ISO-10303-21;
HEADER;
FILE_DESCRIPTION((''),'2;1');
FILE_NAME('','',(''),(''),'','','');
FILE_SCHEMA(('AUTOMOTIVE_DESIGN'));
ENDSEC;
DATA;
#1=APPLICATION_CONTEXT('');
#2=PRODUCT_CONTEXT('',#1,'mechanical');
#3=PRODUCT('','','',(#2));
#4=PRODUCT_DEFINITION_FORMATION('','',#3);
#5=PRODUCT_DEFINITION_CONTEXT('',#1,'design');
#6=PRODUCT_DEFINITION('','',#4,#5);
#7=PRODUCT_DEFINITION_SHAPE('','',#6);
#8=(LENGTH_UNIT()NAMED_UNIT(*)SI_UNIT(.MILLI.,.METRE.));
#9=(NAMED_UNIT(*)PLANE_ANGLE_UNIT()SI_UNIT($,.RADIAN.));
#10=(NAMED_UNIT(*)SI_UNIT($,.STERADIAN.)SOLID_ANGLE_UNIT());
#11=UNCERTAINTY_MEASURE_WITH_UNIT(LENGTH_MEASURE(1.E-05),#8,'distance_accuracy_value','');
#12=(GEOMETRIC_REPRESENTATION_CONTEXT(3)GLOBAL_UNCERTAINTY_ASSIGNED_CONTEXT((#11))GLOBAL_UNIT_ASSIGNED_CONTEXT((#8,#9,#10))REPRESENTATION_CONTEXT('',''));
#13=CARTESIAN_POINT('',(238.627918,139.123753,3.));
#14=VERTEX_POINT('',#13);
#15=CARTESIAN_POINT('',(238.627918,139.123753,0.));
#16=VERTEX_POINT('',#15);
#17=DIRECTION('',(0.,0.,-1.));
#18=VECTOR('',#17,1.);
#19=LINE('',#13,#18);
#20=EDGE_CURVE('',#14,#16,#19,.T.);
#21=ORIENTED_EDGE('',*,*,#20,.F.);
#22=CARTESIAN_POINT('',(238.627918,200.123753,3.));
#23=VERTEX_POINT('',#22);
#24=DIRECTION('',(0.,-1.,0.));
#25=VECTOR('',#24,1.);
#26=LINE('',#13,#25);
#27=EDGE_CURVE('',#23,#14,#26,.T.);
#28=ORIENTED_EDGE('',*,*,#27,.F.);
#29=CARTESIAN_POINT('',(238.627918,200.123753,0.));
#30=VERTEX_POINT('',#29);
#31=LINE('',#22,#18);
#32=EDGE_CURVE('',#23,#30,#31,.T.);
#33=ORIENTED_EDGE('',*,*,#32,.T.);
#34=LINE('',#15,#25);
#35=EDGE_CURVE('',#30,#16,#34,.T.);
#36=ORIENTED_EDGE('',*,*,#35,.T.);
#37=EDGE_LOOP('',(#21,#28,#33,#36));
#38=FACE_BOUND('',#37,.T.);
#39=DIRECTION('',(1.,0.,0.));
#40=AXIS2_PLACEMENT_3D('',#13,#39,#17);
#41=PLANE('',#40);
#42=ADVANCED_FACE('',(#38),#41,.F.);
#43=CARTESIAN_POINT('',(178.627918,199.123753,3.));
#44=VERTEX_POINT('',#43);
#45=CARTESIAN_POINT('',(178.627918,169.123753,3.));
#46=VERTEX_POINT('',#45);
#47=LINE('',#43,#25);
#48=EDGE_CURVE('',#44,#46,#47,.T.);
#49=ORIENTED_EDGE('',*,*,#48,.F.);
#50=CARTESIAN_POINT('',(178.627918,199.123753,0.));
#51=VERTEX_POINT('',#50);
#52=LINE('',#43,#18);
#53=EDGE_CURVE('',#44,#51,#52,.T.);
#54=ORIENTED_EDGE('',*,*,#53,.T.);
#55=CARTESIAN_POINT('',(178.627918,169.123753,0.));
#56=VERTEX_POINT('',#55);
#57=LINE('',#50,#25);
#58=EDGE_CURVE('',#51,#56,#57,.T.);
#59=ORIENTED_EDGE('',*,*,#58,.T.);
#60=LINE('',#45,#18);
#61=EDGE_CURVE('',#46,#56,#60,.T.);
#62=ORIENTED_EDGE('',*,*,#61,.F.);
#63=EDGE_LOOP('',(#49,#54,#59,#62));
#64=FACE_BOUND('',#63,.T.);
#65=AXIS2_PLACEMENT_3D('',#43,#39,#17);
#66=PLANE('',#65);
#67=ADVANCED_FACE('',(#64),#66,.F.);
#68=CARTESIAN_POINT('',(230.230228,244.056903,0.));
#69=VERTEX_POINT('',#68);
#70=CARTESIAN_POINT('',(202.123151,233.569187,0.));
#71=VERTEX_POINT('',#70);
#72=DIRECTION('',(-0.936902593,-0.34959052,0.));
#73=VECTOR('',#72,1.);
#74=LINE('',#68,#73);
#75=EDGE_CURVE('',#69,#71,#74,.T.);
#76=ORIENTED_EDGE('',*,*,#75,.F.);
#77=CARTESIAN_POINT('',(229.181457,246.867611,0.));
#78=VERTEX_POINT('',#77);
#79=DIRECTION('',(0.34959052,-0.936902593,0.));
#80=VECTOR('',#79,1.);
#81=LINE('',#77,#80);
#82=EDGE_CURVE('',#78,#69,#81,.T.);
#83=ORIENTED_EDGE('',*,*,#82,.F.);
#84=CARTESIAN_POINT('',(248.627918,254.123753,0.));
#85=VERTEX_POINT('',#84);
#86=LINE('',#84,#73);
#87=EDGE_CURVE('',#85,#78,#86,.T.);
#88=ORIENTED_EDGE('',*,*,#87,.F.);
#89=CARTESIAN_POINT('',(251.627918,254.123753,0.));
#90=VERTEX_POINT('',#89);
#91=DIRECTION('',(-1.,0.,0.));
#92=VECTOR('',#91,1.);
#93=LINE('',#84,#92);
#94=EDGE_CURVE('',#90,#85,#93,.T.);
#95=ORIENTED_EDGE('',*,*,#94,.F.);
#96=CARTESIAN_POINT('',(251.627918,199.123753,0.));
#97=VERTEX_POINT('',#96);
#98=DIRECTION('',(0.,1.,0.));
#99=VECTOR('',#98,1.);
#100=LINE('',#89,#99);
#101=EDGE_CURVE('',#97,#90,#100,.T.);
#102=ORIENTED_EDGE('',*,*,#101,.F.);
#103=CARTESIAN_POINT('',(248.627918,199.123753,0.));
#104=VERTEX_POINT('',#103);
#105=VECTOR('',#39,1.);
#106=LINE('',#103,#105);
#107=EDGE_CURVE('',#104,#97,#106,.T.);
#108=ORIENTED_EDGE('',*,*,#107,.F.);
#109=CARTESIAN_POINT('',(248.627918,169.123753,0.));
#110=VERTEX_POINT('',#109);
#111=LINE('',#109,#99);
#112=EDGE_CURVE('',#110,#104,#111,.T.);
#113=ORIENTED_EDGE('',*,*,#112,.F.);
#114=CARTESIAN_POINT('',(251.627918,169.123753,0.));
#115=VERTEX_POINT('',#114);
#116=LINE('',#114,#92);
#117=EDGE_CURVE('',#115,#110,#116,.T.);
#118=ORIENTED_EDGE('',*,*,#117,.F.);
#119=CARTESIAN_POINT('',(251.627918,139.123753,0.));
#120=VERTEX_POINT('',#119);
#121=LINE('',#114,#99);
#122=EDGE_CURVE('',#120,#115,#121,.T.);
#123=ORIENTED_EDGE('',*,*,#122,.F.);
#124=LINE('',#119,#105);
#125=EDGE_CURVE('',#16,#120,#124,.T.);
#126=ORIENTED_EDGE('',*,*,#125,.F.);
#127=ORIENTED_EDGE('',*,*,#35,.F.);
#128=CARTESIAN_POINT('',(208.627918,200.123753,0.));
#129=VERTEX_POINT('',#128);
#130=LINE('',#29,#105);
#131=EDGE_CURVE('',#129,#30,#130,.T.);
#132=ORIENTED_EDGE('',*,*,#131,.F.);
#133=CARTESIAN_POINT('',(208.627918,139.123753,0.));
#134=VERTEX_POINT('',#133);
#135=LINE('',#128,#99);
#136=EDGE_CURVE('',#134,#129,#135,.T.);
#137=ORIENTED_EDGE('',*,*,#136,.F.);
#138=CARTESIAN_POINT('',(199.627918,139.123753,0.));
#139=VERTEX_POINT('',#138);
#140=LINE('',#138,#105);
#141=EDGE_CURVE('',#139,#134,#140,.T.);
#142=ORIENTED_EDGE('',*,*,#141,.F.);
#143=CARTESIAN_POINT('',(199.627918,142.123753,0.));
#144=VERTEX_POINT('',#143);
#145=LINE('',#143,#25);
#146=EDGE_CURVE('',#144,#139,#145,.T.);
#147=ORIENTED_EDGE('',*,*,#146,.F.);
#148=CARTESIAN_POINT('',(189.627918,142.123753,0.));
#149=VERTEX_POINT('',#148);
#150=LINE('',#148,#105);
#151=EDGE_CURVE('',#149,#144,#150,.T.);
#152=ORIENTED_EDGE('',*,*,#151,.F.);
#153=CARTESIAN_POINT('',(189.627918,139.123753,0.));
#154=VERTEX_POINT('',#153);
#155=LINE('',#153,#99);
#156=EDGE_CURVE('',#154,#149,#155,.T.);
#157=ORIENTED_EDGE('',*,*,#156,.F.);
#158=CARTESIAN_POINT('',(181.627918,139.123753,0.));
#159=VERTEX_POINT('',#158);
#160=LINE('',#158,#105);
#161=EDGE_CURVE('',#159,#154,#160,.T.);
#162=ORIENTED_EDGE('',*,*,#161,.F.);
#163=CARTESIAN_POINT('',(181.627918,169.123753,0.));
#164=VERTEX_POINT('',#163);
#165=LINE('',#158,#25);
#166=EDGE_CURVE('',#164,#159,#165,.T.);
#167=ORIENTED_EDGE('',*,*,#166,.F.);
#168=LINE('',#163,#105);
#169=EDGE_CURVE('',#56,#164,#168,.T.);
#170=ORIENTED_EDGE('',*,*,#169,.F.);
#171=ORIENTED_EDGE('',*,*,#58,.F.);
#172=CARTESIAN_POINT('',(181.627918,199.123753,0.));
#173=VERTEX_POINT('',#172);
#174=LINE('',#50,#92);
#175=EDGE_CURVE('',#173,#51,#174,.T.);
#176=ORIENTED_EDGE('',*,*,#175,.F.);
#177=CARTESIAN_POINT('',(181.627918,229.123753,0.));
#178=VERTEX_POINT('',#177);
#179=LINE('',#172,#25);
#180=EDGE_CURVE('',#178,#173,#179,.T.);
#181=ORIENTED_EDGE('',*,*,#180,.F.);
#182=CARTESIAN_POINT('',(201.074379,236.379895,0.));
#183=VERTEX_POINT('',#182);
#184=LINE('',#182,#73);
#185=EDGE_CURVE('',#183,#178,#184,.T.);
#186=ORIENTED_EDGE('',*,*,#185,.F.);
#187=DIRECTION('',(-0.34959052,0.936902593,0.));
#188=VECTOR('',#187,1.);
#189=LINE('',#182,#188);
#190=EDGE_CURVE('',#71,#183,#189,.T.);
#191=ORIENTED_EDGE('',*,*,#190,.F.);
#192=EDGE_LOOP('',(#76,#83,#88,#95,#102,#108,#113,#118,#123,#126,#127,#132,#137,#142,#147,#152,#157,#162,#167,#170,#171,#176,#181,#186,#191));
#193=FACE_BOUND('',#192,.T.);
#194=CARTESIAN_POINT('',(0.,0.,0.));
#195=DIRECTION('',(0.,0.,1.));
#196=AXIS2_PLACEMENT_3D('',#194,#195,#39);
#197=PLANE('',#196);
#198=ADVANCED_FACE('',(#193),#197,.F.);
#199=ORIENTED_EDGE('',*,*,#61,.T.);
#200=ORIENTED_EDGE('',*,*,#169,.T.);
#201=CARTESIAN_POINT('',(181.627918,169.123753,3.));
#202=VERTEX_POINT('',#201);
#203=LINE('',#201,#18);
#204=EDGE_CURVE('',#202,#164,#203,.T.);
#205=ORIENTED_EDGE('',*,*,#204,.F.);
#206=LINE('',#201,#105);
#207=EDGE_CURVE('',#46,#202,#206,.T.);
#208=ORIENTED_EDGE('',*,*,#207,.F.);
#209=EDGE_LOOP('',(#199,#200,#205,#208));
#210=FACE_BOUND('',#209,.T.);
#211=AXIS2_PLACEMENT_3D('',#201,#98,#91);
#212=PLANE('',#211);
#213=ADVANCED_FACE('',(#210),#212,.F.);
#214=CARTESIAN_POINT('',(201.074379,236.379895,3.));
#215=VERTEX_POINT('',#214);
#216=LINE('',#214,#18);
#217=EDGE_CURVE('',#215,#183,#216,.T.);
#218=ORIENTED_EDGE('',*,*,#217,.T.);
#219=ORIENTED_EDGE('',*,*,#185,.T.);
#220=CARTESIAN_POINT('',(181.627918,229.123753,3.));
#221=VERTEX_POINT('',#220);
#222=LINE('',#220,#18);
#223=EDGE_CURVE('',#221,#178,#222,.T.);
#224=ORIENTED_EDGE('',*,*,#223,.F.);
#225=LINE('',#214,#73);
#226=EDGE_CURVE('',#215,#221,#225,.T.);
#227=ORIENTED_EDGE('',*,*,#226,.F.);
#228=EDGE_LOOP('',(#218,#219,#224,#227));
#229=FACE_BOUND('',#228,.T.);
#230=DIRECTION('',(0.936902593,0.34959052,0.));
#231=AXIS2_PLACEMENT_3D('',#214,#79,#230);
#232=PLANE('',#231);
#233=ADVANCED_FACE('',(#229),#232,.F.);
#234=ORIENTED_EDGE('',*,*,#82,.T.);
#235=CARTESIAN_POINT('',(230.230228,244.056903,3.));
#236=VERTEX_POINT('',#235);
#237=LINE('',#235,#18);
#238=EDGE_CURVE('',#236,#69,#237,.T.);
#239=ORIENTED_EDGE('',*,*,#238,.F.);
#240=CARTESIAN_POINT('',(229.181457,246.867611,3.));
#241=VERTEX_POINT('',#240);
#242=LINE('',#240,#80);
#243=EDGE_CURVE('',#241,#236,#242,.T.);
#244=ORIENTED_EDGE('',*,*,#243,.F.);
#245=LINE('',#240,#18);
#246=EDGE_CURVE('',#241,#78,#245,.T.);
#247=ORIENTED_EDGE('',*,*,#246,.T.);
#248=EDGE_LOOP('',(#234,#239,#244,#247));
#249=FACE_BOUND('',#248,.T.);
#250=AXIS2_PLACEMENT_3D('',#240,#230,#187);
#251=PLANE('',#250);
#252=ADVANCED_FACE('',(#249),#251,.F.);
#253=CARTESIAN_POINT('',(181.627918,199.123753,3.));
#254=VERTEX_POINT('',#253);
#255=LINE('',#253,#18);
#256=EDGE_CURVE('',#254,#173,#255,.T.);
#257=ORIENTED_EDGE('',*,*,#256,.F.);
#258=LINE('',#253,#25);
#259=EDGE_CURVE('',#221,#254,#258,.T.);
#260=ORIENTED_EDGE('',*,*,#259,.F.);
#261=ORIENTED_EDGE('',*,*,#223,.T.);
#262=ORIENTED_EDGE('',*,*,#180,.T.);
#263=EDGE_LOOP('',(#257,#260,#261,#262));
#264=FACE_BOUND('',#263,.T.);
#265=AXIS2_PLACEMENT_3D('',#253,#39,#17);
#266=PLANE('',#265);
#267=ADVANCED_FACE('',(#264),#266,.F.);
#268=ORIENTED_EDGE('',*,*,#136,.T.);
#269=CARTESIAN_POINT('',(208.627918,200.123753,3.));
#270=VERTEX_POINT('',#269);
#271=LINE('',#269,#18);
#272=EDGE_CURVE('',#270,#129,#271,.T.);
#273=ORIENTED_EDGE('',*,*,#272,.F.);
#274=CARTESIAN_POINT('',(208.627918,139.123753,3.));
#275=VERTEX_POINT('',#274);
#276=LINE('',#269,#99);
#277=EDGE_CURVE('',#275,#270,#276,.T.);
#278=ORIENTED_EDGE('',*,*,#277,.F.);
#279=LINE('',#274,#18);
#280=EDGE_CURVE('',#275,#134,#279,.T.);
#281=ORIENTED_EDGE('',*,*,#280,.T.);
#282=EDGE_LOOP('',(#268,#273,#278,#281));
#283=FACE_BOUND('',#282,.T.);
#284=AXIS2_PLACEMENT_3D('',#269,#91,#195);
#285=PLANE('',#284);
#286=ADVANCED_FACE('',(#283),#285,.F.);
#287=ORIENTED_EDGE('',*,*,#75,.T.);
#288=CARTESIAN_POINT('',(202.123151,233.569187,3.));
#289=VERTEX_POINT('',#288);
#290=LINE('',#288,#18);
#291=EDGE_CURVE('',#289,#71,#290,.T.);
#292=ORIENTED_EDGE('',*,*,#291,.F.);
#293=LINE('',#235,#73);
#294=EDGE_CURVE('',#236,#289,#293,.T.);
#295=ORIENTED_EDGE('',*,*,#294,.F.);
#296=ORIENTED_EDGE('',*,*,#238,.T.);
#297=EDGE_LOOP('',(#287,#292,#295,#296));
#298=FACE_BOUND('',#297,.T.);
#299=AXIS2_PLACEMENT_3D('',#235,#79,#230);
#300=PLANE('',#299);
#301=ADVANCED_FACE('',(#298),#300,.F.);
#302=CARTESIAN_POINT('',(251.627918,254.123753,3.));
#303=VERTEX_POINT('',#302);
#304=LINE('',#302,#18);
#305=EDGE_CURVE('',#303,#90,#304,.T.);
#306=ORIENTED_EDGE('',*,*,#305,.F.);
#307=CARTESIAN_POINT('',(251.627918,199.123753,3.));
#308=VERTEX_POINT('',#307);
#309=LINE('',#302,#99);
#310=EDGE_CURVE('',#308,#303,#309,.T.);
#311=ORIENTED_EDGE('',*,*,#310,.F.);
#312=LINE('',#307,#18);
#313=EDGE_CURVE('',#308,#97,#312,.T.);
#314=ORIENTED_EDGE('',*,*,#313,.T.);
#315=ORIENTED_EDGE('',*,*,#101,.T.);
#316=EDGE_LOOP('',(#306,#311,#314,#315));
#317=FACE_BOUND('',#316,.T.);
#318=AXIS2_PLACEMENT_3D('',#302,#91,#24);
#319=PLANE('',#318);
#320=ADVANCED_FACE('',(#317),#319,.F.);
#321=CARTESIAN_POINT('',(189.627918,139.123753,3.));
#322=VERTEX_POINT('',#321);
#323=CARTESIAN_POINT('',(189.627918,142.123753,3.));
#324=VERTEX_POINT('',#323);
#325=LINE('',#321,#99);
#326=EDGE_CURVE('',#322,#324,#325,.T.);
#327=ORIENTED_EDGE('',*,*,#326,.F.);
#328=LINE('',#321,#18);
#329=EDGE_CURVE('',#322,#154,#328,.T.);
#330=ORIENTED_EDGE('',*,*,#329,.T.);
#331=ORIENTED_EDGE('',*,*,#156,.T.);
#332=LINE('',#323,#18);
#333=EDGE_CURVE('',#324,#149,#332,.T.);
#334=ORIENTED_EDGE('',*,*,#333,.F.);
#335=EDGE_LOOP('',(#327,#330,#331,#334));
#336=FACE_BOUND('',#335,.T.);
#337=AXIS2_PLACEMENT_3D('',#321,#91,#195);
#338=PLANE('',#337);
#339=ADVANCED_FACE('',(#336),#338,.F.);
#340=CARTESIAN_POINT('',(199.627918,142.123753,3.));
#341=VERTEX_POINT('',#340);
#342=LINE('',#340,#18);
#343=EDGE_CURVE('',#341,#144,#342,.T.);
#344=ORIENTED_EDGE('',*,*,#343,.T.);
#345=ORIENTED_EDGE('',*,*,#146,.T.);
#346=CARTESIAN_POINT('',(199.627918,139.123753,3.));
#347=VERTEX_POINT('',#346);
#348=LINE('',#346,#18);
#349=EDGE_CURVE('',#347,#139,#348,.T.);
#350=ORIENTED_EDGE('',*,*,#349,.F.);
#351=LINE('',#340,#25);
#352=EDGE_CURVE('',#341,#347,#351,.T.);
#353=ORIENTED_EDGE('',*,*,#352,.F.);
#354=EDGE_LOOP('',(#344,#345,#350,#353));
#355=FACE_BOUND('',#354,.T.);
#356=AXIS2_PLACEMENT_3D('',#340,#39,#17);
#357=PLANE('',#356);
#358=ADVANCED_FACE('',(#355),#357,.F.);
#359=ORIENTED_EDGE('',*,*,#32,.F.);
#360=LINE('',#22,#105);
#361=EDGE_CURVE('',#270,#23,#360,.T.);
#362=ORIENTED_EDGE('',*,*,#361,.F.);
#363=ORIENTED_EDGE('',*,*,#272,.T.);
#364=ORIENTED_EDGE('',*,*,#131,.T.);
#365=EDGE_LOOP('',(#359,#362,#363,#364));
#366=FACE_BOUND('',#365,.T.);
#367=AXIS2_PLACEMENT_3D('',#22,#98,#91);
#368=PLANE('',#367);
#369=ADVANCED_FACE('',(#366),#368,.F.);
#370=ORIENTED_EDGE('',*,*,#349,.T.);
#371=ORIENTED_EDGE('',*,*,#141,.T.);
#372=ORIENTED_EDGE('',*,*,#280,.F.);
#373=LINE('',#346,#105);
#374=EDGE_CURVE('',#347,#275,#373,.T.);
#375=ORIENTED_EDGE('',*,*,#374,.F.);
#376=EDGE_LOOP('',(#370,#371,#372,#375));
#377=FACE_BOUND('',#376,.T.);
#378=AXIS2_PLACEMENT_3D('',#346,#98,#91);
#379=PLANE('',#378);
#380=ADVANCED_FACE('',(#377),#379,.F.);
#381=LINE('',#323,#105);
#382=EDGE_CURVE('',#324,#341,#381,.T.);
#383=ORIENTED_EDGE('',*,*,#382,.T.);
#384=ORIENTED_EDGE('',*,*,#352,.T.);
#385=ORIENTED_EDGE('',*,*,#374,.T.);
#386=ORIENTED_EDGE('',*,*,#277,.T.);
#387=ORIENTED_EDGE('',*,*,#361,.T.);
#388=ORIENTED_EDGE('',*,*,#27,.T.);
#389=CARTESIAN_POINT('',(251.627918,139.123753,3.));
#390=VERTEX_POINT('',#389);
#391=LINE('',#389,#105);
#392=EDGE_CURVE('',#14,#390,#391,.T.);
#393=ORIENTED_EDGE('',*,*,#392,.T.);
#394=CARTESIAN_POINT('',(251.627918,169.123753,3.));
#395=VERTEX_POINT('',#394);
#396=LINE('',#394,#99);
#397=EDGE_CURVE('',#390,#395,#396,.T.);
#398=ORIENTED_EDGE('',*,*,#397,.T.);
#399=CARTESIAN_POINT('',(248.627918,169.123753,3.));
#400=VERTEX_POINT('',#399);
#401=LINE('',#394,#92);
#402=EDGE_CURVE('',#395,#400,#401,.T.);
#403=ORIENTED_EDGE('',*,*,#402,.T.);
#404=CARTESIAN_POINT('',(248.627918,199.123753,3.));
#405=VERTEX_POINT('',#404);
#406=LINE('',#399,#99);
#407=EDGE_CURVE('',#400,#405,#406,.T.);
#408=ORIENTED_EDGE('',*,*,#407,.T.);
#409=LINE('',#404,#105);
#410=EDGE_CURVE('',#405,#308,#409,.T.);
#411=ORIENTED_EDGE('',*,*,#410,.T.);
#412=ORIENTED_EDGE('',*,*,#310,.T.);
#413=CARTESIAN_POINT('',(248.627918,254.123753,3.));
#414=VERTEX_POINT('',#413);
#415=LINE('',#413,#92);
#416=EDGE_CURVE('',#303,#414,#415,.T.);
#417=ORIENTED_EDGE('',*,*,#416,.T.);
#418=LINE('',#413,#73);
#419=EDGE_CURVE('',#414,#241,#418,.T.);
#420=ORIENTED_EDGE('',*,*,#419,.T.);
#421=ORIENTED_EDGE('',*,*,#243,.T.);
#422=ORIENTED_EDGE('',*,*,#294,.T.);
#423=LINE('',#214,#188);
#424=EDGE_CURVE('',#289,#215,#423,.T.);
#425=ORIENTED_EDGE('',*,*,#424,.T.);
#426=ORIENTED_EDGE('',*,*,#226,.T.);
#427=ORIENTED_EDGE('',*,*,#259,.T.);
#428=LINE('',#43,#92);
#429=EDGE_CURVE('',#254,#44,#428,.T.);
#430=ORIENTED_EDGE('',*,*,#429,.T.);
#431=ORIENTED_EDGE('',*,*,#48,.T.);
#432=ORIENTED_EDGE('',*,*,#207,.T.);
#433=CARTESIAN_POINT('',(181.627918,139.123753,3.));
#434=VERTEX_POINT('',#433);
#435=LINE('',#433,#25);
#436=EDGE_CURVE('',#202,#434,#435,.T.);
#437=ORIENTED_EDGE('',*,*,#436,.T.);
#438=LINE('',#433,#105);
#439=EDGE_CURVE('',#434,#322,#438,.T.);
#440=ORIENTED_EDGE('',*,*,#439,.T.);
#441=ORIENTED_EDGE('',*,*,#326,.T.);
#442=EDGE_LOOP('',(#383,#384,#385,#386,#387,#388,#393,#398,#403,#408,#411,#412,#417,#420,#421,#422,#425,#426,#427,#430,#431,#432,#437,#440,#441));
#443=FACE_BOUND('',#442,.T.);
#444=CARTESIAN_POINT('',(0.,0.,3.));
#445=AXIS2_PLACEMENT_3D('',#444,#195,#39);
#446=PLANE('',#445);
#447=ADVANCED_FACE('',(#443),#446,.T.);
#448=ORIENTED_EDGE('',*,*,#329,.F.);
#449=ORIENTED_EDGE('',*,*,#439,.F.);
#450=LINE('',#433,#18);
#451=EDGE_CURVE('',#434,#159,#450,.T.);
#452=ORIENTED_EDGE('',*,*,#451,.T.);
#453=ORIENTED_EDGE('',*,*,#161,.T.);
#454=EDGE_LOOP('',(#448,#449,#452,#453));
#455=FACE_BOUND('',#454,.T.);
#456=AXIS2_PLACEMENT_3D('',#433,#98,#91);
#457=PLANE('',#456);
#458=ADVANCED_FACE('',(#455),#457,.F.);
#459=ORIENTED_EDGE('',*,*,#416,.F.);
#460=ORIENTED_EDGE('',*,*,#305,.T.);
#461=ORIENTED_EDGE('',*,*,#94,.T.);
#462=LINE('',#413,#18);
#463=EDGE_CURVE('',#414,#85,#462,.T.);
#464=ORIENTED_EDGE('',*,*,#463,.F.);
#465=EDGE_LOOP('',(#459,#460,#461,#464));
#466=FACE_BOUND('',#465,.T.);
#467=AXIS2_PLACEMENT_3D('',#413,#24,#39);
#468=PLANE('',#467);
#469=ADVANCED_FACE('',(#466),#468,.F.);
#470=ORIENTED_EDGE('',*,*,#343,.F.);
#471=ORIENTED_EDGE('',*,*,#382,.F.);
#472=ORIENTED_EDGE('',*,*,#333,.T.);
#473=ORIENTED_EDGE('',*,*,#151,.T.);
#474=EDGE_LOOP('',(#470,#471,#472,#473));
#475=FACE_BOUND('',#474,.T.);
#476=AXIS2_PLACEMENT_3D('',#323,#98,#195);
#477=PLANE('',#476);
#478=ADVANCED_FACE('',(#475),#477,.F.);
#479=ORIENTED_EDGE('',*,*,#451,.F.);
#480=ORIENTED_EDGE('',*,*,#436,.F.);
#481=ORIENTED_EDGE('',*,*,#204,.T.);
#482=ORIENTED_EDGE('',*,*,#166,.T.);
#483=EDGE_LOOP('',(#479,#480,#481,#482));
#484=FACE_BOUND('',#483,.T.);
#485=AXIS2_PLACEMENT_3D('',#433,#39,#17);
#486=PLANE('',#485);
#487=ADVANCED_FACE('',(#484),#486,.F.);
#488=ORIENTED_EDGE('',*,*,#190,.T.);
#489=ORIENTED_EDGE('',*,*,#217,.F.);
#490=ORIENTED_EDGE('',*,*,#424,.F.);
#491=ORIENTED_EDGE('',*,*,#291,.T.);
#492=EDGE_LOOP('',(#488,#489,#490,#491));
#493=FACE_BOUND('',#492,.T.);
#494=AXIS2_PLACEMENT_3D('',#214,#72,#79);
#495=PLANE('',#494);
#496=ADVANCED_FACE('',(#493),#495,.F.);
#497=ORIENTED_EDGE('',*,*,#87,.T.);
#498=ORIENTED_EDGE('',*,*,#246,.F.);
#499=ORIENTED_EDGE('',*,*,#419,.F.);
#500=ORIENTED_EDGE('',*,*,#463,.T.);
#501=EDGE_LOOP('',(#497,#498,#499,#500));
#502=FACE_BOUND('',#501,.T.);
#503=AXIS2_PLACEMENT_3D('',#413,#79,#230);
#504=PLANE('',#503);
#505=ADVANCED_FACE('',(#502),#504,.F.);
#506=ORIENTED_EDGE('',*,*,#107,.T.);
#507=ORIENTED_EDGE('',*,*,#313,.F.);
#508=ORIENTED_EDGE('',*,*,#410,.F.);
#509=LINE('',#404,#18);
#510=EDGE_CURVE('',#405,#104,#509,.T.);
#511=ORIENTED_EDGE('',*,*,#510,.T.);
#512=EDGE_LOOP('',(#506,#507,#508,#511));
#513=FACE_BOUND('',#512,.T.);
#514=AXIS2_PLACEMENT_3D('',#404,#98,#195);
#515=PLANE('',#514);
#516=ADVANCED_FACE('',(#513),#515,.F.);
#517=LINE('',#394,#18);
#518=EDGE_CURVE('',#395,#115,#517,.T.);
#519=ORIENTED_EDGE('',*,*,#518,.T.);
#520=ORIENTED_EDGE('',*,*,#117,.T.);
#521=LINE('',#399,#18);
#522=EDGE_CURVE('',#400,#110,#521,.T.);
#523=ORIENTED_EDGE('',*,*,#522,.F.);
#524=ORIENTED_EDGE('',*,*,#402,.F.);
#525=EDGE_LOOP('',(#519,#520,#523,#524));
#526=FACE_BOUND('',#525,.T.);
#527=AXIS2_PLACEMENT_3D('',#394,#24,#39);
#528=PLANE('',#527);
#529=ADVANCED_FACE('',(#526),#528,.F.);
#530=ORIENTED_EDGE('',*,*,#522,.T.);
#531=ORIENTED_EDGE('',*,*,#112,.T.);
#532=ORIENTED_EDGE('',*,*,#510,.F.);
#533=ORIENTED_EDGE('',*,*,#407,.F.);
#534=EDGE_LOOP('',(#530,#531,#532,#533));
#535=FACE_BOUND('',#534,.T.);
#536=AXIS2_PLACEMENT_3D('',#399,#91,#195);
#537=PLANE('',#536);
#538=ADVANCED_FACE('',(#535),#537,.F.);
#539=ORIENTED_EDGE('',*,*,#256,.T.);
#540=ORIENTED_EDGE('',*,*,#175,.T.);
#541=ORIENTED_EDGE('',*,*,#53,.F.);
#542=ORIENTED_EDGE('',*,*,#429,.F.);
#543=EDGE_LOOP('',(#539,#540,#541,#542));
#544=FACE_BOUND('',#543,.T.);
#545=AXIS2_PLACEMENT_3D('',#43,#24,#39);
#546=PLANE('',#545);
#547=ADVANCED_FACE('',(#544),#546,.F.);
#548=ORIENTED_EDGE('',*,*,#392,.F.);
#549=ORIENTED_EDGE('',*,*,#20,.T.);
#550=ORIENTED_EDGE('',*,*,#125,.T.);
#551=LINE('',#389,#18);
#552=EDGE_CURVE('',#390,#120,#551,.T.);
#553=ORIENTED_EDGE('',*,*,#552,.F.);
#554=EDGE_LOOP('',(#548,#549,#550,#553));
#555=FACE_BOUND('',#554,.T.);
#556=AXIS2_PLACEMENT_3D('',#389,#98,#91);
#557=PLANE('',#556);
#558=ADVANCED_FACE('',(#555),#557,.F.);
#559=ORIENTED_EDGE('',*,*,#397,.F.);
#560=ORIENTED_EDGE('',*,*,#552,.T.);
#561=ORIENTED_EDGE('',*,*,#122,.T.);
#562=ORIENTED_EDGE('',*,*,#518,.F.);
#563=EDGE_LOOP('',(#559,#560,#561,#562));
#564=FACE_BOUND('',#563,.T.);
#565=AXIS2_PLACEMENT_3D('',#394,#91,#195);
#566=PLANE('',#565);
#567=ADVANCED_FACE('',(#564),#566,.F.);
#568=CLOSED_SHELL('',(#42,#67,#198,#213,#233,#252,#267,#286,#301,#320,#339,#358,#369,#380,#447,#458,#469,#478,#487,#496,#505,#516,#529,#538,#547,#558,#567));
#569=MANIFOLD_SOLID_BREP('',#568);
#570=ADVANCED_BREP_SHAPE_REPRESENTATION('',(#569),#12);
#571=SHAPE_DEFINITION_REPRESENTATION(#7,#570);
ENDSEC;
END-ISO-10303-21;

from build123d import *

# Parameters (mm, degrees)
BOSS_EXTRUDE1_DEPTH = 3


with BuildPart() as part:
    # Model → Boss-Extrude1 (new body)
    with BuildSketch(Plane.XY):
        Polygon((178.627918025, 199.123752973), (178.627918025, 169.123752973), (181.627918025, 169.123752973), (181.627918025, 139.123752973), (189.627918025, 139.123752973), (189.627918025, 142.123752973), (199.627918025, 142.123752973), (199.627918025, 139.123752973), (208.627918025, 139.123752973), (208.627918025, 200.123752973), (238.627918025, 200.123752973), (238.627918025, 139.123752973), (251.627918025, 139.123752973), (251.627918025, 169.123752973), (248.627918025, 169.123752973), (248.627918025, 199.123752973), (251.627918025, 199.123752973), (251.627918025, 254.123752973), (248.627918025, 254.123752973), (229.181456918, 246.867610769), (230.230228478, 244.056902991), (202.123150692, 233.569187399), (201.074379132, 236.379895177), (181.627918025, 229.123752973), (181.627918025, 199.123752973), align=None)
    extrude(amount=BOSS_EXTRUDE1_DEPTH)


solid = part.part
